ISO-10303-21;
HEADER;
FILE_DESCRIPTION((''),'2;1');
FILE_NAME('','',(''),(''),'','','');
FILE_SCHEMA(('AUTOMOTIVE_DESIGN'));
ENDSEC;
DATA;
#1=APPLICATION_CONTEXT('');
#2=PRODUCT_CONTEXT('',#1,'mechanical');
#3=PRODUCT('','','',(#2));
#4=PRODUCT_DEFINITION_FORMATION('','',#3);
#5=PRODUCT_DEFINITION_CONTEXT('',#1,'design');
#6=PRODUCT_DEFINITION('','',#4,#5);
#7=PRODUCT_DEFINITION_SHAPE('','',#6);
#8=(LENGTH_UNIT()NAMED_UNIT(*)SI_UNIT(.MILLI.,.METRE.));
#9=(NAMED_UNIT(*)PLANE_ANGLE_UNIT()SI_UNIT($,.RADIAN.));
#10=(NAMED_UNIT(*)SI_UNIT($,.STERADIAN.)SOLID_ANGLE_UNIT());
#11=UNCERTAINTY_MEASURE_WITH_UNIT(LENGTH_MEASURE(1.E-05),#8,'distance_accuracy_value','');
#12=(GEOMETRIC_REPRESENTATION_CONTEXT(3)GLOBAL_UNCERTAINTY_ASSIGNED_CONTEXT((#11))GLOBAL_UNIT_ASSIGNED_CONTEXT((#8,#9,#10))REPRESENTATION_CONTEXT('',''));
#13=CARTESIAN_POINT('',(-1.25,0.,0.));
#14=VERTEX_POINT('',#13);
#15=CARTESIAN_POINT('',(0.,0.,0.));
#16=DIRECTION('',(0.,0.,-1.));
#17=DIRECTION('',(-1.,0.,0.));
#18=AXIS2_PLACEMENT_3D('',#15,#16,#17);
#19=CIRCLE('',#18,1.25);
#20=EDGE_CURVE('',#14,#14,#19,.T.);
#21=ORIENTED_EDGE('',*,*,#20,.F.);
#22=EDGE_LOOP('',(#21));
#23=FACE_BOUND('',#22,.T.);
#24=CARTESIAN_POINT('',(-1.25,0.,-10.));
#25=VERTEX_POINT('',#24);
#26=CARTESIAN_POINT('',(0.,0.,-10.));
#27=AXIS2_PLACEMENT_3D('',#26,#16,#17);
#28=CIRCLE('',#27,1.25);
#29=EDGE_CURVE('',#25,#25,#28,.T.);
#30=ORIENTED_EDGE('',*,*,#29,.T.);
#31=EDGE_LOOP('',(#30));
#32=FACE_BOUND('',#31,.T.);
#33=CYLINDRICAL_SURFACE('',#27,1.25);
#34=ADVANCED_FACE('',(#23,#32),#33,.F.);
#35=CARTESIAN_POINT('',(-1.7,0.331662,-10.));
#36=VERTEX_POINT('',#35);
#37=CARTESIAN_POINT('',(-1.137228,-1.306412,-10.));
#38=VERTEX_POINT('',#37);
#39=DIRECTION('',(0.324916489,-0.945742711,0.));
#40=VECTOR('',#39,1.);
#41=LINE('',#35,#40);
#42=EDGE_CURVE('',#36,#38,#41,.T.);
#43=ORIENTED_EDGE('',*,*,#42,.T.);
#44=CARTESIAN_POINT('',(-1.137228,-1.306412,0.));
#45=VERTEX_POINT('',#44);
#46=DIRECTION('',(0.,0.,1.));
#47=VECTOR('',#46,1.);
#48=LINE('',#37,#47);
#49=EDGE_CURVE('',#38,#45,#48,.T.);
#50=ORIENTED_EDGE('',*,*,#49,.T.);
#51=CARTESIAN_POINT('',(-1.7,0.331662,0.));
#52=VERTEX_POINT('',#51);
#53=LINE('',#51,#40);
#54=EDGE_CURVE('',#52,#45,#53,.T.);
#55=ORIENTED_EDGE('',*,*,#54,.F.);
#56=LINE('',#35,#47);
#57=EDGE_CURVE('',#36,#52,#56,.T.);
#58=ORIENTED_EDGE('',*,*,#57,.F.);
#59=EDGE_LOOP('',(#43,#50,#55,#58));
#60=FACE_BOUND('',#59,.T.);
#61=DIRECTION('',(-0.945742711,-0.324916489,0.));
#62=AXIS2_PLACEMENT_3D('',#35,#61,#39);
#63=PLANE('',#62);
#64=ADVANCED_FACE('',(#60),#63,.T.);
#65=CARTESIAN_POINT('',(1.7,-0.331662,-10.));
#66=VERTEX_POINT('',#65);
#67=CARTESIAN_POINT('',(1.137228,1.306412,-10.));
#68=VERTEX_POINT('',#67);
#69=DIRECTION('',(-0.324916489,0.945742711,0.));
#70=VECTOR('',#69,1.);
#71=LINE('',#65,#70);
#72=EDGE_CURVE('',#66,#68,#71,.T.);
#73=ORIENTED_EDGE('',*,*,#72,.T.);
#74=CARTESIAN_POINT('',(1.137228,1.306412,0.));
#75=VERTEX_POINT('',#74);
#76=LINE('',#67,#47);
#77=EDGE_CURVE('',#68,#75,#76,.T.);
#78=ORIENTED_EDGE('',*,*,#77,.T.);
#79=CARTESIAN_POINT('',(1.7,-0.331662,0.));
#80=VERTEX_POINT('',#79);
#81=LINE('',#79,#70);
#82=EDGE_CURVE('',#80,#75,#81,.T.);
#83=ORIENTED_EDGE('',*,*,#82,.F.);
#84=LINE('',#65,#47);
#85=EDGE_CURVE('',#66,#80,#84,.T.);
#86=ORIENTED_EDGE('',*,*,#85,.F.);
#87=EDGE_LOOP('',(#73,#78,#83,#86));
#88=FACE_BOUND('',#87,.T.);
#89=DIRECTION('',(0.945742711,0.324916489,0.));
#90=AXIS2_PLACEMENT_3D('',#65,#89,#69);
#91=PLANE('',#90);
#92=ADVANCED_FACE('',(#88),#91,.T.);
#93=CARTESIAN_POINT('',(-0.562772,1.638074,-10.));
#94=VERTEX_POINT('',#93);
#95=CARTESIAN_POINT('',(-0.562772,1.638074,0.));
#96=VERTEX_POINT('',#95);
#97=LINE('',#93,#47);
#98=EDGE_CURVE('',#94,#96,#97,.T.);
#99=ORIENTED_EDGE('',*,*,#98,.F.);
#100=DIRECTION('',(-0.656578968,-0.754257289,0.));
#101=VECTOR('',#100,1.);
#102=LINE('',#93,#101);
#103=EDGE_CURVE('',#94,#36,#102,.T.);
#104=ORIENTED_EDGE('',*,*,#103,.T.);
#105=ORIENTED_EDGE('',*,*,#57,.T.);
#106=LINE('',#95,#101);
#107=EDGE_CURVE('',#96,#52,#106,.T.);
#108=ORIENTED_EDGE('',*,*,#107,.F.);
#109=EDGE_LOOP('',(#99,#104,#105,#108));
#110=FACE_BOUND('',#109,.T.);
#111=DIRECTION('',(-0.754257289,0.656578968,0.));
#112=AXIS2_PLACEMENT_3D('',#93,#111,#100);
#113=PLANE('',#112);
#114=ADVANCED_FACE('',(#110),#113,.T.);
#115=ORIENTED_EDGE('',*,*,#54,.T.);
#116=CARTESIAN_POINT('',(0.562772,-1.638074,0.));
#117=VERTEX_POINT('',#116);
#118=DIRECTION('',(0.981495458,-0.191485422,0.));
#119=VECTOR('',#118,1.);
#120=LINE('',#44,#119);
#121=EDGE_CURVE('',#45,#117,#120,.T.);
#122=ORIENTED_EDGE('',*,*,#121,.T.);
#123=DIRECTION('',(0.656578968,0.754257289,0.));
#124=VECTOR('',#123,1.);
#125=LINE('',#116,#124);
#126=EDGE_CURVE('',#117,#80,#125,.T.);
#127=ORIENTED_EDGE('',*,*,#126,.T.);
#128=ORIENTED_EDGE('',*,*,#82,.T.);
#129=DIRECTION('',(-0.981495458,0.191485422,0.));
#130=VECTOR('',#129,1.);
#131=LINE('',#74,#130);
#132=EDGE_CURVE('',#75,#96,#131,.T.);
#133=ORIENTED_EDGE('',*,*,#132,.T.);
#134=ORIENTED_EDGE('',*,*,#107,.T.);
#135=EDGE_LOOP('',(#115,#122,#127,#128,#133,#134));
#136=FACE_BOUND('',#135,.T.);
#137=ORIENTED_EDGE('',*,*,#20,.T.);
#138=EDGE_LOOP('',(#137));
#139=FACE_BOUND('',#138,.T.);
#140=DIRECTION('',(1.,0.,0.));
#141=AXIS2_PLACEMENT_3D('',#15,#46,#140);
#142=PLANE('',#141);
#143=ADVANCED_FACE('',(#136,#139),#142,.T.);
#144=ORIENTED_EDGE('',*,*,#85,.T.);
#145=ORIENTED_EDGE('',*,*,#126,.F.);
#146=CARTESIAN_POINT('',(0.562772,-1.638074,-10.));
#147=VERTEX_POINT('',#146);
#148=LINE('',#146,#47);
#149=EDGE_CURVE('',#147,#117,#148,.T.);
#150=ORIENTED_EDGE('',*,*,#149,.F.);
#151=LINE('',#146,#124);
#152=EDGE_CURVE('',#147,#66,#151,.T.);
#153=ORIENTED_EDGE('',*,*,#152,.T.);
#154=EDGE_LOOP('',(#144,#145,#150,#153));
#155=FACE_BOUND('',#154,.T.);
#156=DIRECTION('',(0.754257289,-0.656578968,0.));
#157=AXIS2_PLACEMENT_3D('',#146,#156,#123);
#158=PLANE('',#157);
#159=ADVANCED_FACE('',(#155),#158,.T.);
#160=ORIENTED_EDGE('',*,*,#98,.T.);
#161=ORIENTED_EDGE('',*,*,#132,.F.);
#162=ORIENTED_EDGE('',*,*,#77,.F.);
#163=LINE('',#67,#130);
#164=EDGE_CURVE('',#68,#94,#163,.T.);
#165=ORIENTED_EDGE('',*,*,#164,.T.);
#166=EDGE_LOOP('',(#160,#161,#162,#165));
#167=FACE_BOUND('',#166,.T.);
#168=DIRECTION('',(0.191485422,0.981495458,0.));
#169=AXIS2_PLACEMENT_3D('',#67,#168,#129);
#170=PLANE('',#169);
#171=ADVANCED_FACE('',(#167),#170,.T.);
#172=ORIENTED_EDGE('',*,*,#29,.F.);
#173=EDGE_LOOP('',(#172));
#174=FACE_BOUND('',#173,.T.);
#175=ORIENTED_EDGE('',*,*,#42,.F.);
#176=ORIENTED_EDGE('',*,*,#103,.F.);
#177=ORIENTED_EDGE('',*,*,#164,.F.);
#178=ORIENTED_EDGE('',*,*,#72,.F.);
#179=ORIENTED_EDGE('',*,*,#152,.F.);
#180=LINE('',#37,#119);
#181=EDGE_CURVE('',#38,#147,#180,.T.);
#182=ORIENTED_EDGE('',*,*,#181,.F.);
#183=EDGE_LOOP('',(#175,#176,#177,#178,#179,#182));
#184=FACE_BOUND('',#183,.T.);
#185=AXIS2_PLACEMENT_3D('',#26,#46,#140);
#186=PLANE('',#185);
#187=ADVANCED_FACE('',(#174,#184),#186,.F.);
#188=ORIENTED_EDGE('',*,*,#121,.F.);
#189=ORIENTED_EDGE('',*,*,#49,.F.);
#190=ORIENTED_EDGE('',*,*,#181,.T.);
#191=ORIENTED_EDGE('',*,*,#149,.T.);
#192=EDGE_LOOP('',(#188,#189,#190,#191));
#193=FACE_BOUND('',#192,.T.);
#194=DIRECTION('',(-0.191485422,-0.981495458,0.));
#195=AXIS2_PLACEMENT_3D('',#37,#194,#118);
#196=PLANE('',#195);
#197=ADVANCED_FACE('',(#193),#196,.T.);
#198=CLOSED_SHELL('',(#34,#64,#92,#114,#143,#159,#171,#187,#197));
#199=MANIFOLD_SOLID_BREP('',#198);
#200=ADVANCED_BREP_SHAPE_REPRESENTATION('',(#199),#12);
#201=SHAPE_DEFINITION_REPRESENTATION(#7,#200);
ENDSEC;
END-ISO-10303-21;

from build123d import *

# Parameters (mm, degrees)
EXTRUDE_1_DEPTH    = 10
HOLE_WIZARD_M3_1_D = 2.5


with BuildPart() as part:
    # 草图1 → 凸台-拉伸1 (new body)
    with BuildSketch(Plane.XY):
        Polygon((0.562771868, -1.638074426), (1.7, -0.331662479), (1.137228132, 1.306411947), (-0.562771868, 1.638074426), (-1.7, 0.331662479), (-1.137228132, -1.306411947), align=None)
    extrude(amount=-EXTRUDE_1_DEPTH)

    # M3 螺纹孔1 (through all)
    with Locations(Plane(origin=(0, 0, -10), x_dir=(-1, 0, 0), z_dir=(0, 0, -1))):
        with Locations((0, 0)):
            Hole(HOLE_WIZARD_M3_1_D / 2)


solid = part.part
